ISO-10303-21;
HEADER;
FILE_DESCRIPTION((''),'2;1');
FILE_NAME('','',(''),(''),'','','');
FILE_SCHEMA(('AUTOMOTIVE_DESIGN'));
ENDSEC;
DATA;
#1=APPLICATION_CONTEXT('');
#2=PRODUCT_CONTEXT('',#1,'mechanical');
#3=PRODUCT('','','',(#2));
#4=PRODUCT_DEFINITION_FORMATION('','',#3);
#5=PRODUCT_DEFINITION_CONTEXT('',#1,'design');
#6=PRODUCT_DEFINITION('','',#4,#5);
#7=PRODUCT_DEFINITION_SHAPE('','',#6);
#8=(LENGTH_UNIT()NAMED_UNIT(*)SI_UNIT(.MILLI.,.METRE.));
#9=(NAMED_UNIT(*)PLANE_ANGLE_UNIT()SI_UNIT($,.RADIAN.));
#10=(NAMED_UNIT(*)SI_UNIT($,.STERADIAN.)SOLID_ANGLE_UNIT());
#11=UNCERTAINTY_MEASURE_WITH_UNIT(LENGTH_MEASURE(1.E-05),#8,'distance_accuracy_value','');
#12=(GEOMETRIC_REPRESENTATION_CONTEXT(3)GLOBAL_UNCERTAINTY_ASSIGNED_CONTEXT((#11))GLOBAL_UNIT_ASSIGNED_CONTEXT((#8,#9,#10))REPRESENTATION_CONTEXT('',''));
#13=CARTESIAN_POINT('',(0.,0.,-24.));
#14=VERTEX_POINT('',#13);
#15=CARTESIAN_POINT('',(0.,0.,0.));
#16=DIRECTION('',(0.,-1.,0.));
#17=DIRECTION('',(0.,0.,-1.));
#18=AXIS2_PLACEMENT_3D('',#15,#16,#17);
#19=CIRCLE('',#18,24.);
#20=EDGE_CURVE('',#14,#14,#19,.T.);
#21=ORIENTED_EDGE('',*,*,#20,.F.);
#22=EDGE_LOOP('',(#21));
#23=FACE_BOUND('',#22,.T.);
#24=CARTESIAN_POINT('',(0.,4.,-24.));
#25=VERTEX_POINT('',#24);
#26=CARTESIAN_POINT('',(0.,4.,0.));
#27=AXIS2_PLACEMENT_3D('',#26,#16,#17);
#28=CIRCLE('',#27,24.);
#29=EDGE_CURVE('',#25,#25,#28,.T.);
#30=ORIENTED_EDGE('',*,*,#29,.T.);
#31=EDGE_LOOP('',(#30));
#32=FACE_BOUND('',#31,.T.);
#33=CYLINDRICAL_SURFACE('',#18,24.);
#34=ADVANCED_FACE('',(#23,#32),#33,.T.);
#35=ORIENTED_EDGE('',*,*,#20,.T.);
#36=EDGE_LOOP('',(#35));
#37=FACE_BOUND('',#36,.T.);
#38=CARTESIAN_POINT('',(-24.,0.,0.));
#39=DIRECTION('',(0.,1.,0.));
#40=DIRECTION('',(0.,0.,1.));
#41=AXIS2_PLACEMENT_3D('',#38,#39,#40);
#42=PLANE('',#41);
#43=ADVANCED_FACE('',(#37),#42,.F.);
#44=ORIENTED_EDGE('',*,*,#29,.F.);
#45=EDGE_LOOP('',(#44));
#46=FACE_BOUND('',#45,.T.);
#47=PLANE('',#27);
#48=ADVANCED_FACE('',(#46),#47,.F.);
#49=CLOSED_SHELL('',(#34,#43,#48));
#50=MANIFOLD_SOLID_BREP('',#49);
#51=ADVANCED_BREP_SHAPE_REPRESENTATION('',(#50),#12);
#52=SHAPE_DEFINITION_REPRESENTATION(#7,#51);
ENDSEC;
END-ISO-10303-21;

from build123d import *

# Parameters (mm, degrees)
SKETCH1_W = 24
SKETCH1_H = 4


with BuildPart() as part:
    # Sketch1 → Revolve1 (revolve)
    with BuildSketch(Plane.XY, mode=Mode.PRIVATE) as revolve1_sk:
        with Locations((-12, 2)):
            Rectangle(SKETCH1_W, SKETCH1_H)
    revolve(revolve1_sk.sketch.rotate(Axis((0, 0, 0), (0, 1, 0)), 270), axis=Axis((0, 0, 0), (0, 1, 0)))


solid = part.part
